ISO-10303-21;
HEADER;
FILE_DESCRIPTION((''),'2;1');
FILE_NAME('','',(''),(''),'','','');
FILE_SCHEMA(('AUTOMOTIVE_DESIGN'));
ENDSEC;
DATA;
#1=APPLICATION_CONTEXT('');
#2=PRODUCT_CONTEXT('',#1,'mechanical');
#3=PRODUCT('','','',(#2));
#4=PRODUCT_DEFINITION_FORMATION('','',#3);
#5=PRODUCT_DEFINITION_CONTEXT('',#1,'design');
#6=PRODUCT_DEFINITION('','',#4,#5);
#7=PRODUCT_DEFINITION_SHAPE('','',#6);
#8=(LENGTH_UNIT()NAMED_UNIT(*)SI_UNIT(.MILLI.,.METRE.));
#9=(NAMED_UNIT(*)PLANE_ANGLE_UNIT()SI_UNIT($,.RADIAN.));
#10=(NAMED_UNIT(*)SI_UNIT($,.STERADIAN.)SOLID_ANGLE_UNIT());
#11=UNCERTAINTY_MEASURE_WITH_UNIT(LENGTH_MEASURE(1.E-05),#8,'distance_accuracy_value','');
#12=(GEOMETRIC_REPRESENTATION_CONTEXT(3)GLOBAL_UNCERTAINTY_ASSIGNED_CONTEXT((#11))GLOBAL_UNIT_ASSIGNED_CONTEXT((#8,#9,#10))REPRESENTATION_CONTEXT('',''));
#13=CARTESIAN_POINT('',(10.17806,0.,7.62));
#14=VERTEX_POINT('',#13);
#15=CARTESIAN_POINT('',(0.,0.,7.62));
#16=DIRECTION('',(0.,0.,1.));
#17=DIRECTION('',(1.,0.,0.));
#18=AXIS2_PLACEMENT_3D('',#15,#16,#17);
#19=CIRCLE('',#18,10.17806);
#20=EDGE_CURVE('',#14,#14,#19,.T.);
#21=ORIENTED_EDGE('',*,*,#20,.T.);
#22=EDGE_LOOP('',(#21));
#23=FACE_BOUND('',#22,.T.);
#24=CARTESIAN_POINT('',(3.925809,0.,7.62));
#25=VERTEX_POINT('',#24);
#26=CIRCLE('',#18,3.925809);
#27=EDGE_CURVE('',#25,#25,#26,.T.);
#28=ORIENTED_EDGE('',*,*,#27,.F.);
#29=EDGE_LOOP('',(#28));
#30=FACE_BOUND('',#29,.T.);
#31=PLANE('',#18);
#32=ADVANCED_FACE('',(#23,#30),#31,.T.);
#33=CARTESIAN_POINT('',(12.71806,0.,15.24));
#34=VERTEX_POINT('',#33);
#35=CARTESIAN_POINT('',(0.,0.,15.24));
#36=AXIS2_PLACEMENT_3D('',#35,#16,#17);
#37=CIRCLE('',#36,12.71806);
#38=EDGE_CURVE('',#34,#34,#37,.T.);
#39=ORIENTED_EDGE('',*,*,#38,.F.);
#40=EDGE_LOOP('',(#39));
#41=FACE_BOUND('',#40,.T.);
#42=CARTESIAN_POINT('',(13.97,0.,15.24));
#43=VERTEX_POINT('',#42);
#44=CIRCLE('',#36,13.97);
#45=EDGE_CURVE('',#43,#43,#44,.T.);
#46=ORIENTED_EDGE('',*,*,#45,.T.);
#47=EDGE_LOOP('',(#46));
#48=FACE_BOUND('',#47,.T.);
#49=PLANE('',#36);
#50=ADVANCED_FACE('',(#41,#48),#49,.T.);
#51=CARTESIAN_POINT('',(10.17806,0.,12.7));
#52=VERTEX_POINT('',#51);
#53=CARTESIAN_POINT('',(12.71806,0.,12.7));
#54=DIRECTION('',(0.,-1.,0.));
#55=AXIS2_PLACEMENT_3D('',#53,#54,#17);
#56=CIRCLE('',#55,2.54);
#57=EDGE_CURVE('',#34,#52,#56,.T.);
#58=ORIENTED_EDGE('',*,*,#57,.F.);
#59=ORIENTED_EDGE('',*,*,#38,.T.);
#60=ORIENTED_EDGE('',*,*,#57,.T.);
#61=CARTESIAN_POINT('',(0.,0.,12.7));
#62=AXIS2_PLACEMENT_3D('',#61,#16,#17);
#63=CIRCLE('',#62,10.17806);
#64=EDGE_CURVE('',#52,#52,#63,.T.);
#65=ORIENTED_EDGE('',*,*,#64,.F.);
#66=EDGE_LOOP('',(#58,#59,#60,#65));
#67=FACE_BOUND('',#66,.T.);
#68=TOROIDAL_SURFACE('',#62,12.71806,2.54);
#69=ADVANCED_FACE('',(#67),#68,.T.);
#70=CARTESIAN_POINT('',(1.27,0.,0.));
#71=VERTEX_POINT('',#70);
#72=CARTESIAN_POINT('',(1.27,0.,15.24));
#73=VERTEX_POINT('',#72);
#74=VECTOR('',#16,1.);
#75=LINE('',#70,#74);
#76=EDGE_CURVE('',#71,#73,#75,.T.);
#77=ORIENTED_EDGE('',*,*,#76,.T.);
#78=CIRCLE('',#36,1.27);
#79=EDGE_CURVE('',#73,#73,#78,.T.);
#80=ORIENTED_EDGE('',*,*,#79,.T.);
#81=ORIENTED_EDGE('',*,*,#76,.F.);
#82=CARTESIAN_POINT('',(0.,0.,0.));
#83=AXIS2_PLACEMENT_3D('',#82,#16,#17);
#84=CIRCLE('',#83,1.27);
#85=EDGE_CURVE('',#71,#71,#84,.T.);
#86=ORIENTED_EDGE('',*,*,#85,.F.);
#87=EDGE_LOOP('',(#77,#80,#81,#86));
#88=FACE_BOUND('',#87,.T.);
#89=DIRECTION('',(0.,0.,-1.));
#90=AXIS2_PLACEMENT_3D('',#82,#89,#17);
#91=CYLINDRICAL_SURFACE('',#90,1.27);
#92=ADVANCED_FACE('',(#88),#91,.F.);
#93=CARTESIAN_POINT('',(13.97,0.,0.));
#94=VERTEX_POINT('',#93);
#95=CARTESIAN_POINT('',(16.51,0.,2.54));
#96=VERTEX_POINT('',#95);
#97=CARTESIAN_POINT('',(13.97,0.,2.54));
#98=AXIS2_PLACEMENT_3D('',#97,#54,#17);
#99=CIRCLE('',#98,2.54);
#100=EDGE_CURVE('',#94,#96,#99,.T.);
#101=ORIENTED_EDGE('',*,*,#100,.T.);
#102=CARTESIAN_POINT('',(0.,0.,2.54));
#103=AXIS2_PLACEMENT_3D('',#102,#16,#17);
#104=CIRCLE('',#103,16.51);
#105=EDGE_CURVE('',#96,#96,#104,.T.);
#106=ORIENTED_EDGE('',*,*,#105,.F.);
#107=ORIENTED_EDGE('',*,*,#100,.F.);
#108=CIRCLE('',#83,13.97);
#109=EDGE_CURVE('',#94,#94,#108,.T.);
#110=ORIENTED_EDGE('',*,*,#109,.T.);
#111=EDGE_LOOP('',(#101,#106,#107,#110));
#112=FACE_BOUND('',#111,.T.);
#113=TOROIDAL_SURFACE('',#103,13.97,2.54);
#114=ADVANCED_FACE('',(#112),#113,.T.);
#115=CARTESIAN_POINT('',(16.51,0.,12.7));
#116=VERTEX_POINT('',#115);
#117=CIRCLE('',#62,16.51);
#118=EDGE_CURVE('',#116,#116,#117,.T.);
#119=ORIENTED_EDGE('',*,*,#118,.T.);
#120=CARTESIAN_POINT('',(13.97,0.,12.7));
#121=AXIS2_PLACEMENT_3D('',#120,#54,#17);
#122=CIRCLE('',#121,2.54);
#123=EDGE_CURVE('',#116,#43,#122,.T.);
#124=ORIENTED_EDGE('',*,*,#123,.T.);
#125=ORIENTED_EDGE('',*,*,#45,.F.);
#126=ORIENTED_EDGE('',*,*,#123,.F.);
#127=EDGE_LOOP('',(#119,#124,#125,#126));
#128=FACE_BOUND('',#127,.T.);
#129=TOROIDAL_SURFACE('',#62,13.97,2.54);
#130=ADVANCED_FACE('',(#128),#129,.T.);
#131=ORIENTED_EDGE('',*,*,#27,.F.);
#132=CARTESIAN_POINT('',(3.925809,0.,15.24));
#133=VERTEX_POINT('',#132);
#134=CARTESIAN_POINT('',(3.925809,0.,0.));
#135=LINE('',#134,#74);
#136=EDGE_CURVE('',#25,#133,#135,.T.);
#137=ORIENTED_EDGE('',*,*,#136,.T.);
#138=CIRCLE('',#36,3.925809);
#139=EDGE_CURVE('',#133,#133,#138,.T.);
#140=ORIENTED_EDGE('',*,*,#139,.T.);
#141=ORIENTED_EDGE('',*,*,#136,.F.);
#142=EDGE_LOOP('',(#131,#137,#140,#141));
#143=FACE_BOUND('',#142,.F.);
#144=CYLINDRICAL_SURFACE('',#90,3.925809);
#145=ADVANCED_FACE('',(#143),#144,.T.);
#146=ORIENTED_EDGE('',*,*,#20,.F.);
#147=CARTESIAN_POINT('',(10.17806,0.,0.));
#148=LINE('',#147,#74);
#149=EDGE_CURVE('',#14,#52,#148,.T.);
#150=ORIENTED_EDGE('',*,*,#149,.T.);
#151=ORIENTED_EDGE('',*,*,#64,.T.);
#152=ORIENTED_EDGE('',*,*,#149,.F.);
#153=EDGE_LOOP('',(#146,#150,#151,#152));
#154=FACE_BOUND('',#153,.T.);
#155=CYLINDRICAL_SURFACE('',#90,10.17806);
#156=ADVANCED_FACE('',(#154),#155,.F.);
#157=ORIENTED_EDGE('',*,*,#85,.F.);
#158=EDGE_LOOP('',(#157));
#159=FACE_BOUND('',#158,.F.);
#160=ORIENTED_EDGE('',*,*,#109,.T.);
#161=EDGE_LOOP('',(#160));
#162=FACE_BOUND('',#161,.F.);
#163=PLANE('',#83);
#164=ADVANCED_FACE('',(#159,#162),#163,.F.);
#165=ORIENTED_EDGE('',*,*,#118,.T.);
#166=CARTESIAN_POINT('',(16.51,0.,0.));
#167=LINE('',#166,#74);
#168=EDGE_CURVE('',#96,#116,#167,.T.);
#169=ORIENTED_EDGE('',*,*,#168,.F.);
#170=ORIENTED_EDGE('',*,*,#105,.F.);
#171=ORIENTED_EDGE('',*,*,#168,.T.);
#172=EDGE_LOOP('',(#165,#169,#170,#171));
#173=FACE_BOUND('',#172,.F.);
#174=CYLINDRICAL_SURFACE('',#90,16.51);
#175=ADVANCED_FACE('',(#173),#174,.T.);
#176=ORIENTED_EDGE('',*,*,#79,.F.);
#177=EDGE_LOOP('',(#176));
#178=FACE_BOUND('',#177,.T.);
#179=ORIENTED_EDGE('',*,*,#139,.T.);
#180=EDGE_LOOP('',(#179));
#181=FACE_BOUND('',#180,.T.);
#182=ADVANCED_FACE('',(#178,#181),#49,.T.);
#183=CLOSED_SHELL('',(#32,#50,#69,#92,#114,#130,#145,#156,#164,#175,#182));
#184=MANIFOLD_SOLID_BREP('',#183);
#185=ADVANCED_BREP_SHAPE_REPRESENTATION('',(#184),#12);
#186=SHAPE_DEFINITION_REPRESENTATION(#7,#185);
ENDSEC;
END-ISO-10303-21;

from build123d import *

# Parameters (mm, degrees)
F0_R     = 16.51
F0_R_2   = 10.1780603176
F1_DEPTH = 15.24
F0_R_3   = 3.9258092534
F0_R_4   = 1.27
F2_DEPTH = 7.62
F3_R     = 2.54


with BuildPart() as f1:
    # F0 (on Top) → F1 (new body)
    with BuildSketch(Plane.XY):
        Circle(F0_R)
        Circle(F0_R_2, mode=Mode.SUBTRACT)
    extrude(amount=F1_DEPTH)



with BuildPart() as f1b:
    # F0 (on Top) → F1, piece 2 (new body)
    with BuildSketch(Plane.XY):
        Circle(F0_R_3)
        Circle(F0_R_4, mode=Mode.SUBTRACT)
    extrude(amount=F1_DEPTH)


with BuildPart() as f1_1:
    add(f1.part)

    add(f1b.part)  # F2 merges F1b
    # F0 (on Top) → F2 (join)
    with BuildSketch(Plane.XY):
        Circle(F0_R_2)
        Circle(F0_R_3, mode=Mode.SUBTRACT)
    extrude(amount=F2_DEPTH)

    # F3
    f3_edges = [f1_1.edges().sort_by_distance(p)[0] for p in [
        (-16.51, 0, 15.24),
        (-16.51, 0, 0),
        (-10.17806, 0, 15.24),
    ]]
    fillet(f3_edges, radius=F3_R)


solid = f1_1.part
